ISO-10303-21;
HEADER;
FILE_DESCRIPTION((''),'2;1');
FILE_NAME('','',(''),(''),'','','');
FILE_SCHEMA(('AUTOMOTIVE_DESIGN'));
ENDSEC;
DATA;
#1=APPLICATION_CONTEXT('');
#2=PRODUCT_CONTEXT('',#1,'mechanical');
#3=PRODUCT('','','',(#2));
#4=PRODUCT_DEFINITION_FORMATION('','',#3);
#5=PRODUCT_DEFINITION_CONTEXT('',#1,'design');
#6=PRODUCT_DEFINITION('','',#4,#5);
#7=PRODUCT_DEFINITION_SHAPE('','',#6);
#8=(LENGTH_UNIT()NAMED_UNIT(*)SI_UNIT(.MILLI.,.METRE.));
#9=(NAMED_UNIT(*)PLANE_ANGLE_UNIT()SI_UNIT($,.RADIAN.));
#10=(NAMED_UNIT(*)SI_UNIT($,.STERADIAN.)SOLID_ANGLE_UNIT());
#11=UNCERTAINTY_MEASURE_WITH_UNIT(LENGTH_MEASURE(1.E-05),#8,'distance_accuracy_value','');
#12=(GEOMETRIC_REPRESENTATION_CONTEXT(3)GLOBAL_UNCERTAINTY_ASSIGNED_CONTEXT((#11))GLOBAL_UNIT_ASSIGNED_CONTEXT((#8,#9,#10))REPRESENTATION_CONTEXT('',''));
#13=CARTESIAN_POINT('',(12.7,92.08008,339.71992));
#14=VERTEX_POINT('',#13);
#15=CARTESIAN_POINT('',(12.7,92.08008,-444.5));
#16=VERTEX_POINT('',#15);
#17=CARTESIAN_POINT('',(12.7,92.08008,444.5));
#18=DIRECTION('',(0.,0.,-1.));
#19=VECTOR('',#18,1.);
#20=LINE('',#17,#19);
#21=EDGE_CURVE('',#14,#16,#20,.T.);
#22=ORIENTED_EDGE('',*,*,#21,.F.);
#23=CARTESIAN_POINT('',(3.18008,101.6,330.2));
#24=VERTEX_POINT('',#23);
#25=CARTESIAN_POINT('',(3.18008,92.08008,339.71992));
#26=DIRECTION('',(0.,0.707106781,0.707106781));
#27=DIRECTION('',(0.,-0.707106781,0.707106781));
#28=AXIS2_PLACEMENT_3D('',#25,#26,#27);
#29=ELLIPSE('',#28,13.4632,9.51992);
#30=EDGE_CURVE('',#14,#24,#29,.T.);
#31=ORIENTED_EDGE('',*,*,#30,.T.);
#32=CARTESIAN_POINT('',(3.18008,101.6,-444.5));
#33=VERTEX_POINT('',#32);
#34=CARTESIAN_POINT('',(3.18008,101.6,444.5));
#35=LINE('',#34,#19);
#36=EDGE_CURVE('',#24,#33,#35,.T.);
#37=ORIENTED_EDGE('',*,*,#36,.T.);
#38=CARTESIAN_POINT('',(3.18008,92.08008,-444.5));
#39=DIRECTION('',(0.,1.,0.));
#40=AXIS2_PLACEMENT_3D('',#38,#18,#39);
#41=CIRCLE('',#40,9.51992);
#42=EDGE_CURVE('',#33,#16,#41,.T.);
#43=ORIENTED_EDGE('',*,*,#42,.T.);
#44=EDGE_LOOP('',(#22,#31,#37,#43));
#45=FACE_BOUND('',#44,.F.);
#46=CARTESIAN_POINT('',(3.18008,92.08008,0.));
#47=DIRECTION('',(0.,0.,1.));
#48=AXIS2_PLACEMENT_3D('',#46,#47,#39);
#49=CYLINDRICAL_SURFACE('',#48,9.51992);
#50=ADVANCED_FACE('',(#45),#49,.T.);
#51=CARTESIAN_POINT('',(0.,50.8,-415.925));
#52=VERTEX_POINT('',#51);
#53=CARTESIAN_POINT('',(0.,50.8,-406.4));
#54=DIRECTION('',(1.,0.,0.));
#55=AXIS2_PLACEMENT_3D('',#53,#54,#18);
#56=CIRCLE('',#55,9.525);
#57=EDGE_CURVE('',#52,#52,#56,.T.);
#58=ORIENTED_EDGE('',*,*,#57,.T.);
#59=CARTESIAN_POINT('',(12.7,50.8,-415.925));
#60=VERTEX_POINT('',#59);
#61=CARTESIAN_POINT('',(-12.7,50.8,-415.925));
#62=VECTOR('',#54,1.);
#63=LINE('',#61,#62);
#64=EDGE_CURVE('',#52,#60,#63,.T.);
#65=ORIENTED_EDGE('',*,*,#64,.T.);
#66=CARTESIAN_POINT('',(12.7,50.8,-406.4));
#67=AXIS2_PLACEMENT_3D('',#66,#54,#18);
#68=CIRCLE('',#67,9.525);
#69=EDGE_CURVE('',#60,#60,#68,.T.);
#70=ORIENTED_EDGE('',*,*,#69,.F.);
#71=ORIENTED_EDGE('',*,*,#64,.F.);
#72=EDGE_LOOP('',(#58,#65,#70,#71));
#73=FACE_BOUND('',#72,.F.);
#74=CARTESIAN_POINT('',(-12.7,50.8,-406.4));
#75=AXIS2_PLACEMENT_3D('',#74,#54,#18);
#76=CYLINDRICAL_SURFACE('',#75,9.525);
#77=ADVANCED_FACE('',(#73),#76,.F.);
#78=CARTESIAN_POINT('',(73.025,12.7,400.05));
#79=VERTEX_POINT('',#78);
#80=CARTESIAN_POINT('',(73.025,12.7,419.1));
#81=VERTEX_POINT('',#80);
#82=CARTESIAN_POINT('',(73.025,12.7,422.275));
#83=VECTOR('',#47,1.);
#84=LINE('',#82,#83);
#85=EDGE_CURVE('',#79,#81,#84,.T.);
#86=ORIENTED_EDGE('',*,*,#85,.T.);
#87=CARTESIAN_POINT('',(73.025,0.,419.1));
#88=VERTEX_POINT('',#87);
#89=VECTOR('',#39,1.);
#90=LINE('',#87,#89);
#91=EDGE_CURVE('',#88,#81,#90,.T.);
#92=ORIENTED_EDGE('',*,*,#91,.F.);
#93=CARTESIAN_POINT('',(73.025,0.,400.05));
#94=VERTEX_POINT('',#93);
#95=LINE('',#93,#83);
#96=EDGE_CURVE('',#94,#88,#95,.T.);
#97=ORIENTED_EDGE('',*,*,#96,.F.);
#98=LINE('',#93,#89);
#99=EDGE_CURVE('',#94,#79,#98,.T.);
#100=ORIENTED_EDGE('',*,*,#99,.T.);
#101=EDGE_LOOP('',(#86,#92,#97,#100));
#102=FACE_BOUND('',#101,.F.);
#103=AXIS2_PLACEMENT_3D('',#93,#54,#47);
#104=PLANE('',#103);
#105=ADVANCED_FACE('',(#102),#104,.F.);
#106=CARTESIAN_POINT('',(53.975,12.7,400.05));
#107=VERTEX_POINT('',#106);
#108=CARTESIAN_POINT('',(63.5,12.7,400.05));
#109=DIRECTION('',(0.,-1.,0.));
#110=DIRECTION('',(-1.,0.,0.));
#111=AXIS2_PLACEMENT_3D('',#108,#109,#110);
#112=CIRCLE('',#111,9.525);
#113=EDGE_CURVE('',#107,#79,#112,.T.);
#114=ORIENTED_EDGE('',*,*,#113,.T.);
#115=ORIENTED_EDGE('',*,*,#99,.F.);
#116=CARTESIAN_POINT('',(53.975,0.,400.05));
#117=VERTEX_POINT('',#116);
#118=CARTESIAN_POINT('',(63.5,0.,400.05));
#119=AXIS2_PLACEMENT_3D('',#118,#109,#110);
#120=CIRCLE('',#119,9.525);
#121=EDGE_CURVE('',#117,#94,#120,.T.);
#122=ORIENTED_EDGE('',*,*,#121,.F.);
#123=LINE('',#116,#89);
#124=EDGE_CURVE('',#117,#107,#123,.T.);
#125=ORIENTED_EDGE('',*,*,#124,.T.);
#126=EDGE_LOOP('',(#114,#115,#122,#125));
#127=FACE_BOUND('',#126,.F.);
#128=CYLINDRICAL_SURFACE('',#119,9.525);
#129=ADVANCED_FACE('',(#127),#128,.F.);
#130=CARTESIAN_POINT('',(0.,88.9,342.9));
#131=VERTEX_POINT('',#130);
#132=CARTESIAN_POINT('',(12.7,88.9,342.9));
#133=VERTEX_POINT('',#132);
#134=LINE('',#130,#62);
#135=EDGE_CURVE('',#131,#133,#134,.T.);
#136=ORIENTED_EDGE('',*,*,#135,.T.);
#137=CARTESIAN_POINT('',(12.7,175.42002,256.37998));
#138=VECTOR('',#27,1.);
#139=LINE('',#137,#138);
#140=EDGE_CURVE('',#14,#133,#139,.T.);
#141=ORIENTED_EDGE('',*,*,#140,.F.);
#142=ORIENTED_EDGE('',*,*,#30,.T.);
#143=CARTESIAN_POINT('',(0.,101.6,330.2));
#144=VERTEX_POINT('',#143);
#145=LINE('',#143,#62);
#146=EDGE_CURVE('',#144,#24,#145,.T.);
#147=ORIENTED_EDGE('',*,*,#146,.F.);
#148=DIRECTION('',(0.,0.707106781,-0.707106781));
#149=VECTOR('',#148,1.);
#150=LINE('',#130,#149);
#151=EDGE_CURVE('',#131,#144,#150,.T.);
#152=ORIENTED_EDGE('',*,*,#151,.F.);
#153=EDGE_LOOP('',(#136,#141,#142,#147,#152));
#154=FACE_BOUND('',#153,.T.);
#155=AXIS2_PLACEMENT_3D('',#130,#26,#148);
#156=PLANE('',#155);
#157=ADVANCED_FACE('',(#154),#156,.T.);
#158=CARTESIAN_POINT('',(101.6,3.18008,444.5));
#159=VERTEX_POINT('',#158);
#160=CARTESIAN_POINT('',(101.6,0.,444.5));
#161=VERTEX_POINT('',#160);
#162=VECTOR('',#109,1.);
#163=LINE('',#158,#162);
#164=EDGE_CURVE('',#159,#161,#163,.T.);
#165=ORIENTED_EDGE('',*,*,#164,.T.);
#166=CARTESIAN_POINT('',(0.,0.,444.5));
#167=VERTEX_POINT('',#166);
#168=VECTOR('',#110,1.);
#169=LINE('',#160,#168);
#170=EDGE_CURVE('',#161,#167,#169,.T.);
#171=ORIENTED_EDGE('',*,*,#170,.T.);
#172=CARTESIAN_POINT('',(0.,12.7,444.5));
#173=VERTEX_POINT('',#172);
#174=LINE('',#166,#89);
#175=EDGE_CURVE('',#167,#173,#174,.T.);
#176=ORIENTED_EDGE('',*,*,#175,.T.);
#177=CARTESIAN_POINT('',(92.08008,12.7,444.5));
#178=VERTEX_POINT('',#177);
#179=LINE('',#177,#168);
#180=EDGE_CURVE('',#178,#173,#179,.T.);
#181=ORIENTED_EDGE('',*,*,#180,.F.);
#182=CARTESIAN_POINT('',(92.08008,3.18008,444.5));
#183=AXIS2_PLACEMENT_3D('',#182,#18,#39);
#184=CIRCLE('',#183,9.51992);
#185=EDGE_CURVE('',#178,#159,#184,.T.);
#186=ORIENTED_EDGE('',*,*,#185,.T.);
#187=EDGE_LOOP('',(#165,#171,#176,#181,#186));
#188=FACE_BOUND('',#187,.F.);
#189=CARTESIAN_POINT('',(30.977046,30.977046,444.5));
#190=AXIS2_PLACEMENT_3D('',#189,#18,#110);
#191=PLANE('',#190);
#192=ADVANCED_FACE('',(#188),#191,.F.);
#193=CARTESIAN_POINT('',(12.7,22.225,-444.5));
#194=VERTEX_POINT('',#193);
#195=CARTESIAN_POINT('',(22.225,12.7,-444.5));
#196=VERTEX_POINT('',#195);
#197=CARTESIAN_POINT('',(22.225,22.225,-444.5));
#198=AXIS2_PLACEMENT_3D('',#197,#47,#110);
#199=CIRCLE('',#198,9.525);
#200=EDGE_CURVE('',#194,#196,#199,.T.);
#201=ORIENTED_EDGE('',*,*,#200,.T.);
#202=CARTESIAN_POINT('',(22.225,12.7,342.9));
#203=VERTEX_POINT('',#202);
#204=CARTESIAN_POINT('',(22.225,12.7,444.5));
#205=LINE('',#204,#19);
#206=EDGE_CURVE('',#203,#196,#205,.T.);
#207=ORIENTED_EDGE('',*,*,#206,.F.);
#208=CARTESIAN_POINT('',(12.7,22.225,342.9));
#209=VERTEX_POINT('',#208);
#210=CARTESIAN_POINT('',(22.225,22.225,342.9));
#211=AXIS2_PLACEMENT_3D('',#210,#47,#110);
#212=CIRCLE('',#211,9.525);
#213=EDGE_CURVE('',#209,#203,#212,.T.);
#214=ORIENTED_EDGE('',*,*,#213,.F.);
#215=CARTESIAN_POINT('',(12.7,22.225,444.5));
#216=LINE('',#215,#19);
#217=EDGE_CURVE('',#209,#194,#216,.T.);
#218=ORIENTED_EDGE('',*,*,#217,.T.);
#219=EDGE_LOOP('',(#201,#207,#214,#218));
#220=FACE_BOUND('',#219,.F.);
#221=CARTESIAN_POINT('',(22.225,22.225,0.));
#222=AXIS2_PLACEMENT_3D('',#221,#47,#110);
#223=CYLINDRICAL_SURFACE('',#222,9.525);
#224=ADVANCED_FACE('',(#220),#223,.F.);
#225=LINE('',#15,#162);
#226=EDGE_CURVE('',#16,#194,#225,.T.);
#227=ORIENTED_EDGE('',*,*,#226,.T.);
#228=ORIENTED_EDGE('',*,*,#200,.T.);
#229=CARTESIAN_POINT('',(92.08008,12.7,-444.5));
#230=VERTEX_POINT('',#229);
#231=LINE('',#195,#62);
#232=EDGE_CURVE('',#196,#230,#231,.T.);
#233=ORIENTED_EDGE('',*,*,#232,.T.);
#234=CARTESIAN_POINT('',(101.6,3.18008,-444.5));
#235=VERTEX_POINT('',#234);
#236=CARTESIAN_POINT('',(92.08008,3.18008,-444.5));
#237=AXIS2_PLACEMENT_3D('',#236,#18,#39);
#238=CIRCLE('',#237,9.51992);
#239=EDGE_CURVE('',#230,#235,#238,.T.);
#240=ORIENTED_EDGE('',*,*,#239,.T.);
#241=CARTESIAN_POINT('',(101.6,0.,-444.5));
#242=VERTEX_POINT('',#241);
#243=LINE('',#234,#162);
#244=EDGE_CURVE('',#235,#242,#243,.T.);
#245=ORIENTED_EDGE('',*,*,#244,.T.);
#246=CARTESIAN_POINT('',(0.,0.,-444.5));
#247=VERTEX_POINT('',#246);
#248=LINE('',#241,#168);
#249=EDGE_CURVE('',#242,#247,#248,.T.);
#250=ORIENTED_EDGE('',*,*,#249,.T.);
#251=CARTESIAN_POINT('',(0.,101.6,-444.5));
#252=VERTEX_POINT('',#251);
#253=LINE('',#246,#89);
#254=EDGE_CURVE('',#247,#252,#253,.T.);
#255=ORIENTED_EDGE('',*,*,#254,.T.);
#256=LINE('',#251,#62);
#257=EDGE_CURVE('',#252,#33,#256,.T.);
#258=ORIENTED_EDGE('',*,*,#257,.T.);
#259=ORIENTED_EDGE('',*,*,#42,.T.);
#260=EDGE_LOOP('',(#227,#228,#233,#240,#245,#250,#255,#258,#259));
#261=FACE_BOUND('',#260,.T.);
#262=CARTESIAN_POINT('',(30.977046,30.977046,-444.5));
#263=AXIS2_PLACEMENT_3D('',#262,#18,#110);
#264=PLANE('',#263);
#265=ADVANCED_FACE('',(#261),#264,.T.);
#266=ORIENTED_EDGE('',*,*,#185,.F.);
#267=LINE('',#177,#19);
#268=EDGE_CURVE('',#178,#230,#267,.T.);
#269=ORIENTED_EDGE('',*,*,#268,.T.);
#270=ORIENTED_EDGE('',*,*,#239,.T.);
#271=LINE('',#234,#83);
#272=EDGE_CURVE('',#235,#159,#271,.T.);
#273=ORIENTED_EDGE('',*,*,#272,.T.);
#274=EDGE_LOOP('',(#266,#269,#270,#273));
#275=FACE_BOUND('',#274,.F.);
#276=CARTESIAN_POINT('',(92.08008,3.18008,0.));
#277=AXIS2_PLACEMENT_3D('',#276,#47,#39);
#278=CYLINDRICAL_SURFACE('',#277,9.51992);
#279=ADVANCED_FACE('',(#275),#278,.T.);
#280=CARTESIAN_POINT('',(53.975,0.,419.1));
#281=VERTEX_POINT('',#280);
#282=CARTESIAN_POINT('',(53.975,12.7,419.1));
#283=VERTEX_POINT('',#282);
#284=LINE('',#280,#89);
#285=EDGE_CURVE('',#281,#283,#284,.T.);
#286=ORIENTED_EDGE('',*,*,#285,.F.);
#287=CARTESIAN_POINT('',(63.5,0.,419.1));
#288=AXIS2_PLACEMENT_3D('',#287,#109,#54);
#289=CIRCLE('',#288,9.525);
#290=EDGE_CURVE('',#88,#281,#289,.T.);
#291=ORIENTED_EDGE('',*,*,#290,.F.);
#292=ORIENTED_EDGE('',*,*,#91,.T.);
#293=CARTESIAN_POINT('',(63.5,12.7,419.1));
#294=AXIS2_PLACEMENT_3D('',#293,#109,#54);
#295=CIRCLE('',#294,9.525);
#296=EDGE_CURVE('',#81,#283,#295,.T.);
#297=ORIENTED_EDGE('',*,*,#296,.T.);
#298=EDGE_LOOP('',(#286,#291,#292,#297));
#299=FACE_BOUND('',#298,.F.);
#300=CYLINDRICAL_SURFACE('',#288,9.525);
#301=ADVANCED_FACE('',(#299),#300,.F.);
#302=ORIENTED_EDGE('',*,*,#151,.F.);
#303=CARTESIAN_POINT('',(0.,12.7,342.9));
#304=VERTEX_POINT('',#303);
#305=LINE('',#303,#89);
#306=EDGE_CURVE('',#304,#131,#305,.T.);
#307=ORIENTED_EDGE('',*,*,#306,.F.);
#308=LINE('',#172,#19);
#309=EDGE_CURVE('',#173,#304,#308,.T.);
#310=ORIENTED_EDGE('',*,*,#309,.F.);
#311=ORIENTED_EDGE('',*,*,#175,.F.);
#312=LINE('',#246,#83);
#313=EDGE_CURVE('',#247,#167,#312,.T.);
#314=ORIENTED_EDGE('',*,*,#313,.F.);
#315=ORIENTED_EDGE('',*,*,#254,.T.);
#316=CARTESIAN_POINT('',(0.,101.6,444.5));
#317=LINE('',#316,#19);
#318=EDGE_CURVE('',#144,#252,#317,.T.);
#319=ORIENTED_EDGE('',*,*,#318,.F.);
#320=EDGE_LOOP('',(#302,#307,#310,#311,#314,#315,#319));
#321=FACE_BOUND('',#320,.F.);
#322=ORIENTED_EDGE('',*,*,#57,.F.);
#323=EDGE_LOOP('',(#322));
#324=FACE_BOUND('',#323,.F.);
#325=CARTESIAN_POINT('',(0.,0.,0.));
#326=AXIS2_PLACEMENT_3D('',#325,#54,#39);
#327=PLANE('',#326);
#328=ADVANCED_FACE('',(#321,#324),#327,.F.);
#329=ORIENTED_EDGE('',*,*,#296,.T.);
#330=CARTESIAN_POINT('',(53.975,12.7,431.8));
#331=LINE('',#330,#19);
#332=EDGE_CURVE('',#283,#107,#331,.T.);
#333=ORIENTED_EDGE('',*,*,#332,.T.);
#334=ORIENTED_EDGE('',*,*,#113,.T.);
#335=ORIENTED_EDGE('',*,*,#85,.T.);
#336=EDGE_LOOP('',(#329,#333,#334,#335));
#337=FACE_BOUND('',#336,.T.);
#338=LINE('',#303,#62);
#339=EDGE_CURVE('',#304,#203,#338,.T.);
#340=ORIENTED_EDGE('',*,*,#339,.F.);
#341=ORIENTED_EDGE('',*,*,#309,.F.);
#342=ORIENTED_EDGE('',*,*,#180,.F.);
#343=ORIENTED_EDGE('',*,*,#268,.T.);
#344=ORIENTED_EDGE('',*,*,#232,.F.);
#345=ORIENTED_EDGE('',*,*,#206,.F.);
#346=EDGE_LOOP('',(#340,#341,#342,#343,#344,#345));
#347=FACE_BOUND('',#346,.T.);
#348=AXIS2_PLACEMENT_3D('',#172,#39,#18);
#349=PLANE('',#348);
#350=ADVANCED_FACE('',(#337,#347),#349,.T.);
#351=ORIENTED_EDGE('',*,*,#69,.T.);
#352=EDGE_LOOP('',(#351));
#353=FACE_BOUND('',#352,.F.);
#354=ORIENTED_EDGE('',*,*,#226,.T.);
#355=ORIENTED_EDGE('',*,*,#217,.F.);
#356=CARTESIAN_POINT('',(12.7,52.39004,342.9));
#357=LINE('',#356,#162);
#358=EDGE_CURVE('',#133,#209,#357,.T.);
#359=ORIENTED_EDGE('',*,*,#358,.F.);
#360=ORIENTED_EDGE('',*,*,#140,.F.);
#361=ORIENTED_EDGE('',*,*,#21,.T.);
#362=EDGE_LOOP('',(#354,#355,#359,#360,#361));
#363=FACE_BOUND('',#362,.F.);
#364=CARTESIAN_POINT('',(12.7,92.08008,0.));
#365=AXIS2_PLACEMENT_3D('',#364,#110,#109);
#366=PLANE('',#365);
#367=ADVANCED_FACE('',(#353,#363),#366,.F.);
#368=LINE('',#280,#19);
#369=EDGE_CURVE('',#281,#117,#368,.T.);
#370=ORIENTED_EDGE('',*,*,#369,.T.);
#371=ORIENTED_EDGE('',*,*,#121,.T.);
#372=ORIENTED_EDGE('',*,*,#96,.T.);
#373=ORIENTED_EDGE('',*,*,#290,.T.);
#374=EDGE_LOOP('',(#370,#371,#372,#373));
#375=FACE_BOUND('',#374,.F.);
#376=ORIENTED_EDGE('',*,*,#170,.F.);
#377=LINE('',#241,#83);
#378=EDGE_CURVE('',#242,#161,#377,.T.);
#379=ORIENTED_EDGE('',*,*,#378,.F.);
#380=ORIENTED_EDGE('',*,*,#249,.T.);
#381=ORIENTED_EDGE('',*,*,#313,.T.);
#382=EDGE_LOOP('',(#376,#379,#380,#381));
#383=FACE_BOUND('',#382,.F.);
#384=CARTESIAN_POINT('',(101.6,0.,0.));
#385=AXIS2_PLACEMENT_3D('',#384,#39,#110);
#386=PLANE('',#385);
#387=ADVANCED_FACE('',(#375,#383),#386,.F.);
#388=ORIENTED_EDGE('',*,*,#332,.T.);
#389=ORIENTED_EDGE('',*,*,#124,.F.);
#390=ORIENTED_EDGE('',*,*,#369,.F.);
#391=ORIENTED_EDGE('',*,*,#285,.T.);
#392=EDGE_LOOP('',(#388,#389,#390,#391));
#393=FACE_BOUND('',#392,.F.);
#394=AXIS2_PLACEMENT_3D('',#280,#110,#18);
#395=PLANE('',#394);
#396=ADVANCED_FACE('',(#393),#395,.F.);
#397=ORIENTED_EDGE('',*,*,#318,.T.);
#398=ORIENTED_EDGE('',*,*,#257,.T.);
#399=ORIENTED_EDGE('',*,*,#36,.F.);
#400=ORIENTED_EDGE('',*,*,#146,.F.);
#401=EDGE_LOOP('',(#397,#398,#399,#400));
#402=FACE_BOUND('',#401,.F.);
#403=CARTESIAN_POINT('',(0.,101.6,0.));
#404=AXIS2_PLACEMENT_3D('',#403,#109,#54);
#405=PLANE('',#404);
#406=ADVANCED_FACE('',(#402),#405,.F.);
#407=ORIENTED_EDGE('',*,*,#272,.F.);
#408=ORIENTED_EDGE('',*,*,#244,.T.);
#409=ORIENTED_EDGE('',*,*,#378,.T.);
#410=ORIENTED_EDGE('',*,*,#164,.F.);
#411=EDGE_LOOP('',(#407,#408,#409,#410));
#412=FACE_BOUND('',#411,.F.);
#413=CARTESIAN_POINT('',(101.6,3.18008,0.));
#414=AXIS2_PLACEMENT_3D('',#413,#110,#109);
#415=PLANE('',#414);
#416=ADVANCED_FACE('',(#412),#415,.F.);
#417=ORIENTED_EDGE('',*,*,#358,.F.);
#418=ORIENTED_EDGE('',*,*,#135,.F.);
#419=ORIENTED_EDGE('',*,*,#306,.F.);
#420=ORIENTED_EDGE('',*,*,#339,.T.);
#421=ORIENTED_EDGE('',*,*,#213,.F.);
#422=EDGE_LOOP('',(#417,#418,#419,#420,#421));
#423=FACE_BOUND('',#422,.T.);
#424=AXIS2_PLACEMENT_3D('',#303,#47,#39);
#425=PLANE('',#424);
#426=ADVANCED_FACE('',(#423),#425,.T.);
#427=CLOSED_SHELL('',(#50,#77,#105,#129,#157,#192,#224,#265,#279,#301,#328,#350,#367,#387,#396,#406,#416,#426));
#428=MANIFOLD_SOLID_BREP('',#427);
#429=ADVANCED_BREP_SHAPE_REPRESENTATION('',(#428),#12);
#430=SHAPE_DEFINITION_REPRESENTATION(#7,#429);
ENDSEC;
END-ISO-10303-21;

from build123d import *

# Parameters (mm, degrees)
BOSS_EXTRUDE1_DEPTH             = 444.5
CUT_EXTRUDE4_REACH              = 103.6
CUT_EXTRUDE2_REACH              = 103.6
F_3_4_0_75_DIAMETER_HOLE2_D     = 19.05
F_3_4_0_75_DIAMETER_HOLE2_DEPTH = 12.7


with BuildPart() as part:
    # Sketch1 → Boss-Extrude1 (new body, symmetric)
    with BuildSketch(Plane.XY):
        with BuildLine():
            Line((0, 0), (0, 101.6))
            Line((0, 101.6), (3.18008, 101.6))
            ThreePointArc((3.18008, 101.6), (9.911679988, 98.811679988), (12.7, 92.08008))
            Line((12.7, 92.08008), (12.7, 22.225))
            ThreePointArc((12.7, 22.225), (15.489807909, 15.489807909), (22.225, 12.7))
            Line((22.225, 12.7), (92.08008, 12.7))
            ThreePointArc((92.08008, 12.7), (98.811679988, 9.911679988), (101.6, 3.18008))
            Line((101.6, 3.18008), (101.6, 0))
            Line((101.6, 0), (0, 0))
        make_face()
    extrude(amount=BOSS_EXTRUDE1_DEPTH, both=True)

    # Sketch2 → Cut-Extrude4 (cut, up to next)
    with BuildSketch(Plane.YZ, mode=Mode.PRIVATE) as cut_extrude4_sk1:
        Polygon((12.7, 444.5), (12.7, 342.9), (88.9, 342.9), (101.6, 330.2), (101.6, 342.9), (101.6, 444.5), align=None)
    cut_extrude4_tool1 = extrude(cut_extrude4_sk1.sketch, amount=CUT_EXTRUDE4_REACH, mode=Mode.PRIVATE) & part.part
    add(cut_extrude4_tool1.solids().sort_by_distance((0, 57.5059, 393.212979))[0], mode=Mode.SUBTRACT)

    # Sketch3 → Cut-Extrude2 (cut, up to next)
    with BuildSketch(Plane.ZX, mode=Mode.PRIVATE) as cut_extrude2_sk1:
        with BuildLine():
            Line((419.1, 53.975), (400.05, 53.975))
            ThreePointArc((400.05, 53.975), (390.525, 63.5), (400.05, 73.025))
            Line((400.05, 73.025), (419.1, 73.025))
            ThreePointArc((419.1, 73.025), (428.625, 63.5), (419.1, 53.975))
        make_face()
    cut_extrude2_tool1 = extrude(cut_extrude2_sk1.sketch, amount=CUT_EXTRUDE2_REACH, mode=Mode.PRIVATE) & part.part
    add(cut_extrude2_tool1.solids().sort_by_distance((63.5, 0, 409.575))[0], mode=Mode.SUBTRACT)

    # 3/4 (0.75) Diameter Hole2
    with Locations(Plane.ZY):
        with Locations((-406.4, 50.8)):
            Hole(F_3_4_0_75_DIAMETER_HOLE2_D / 2, depth=F_3_4_0_75_DIAMETER_HOLE2_DEPTH)


solid = part.part
